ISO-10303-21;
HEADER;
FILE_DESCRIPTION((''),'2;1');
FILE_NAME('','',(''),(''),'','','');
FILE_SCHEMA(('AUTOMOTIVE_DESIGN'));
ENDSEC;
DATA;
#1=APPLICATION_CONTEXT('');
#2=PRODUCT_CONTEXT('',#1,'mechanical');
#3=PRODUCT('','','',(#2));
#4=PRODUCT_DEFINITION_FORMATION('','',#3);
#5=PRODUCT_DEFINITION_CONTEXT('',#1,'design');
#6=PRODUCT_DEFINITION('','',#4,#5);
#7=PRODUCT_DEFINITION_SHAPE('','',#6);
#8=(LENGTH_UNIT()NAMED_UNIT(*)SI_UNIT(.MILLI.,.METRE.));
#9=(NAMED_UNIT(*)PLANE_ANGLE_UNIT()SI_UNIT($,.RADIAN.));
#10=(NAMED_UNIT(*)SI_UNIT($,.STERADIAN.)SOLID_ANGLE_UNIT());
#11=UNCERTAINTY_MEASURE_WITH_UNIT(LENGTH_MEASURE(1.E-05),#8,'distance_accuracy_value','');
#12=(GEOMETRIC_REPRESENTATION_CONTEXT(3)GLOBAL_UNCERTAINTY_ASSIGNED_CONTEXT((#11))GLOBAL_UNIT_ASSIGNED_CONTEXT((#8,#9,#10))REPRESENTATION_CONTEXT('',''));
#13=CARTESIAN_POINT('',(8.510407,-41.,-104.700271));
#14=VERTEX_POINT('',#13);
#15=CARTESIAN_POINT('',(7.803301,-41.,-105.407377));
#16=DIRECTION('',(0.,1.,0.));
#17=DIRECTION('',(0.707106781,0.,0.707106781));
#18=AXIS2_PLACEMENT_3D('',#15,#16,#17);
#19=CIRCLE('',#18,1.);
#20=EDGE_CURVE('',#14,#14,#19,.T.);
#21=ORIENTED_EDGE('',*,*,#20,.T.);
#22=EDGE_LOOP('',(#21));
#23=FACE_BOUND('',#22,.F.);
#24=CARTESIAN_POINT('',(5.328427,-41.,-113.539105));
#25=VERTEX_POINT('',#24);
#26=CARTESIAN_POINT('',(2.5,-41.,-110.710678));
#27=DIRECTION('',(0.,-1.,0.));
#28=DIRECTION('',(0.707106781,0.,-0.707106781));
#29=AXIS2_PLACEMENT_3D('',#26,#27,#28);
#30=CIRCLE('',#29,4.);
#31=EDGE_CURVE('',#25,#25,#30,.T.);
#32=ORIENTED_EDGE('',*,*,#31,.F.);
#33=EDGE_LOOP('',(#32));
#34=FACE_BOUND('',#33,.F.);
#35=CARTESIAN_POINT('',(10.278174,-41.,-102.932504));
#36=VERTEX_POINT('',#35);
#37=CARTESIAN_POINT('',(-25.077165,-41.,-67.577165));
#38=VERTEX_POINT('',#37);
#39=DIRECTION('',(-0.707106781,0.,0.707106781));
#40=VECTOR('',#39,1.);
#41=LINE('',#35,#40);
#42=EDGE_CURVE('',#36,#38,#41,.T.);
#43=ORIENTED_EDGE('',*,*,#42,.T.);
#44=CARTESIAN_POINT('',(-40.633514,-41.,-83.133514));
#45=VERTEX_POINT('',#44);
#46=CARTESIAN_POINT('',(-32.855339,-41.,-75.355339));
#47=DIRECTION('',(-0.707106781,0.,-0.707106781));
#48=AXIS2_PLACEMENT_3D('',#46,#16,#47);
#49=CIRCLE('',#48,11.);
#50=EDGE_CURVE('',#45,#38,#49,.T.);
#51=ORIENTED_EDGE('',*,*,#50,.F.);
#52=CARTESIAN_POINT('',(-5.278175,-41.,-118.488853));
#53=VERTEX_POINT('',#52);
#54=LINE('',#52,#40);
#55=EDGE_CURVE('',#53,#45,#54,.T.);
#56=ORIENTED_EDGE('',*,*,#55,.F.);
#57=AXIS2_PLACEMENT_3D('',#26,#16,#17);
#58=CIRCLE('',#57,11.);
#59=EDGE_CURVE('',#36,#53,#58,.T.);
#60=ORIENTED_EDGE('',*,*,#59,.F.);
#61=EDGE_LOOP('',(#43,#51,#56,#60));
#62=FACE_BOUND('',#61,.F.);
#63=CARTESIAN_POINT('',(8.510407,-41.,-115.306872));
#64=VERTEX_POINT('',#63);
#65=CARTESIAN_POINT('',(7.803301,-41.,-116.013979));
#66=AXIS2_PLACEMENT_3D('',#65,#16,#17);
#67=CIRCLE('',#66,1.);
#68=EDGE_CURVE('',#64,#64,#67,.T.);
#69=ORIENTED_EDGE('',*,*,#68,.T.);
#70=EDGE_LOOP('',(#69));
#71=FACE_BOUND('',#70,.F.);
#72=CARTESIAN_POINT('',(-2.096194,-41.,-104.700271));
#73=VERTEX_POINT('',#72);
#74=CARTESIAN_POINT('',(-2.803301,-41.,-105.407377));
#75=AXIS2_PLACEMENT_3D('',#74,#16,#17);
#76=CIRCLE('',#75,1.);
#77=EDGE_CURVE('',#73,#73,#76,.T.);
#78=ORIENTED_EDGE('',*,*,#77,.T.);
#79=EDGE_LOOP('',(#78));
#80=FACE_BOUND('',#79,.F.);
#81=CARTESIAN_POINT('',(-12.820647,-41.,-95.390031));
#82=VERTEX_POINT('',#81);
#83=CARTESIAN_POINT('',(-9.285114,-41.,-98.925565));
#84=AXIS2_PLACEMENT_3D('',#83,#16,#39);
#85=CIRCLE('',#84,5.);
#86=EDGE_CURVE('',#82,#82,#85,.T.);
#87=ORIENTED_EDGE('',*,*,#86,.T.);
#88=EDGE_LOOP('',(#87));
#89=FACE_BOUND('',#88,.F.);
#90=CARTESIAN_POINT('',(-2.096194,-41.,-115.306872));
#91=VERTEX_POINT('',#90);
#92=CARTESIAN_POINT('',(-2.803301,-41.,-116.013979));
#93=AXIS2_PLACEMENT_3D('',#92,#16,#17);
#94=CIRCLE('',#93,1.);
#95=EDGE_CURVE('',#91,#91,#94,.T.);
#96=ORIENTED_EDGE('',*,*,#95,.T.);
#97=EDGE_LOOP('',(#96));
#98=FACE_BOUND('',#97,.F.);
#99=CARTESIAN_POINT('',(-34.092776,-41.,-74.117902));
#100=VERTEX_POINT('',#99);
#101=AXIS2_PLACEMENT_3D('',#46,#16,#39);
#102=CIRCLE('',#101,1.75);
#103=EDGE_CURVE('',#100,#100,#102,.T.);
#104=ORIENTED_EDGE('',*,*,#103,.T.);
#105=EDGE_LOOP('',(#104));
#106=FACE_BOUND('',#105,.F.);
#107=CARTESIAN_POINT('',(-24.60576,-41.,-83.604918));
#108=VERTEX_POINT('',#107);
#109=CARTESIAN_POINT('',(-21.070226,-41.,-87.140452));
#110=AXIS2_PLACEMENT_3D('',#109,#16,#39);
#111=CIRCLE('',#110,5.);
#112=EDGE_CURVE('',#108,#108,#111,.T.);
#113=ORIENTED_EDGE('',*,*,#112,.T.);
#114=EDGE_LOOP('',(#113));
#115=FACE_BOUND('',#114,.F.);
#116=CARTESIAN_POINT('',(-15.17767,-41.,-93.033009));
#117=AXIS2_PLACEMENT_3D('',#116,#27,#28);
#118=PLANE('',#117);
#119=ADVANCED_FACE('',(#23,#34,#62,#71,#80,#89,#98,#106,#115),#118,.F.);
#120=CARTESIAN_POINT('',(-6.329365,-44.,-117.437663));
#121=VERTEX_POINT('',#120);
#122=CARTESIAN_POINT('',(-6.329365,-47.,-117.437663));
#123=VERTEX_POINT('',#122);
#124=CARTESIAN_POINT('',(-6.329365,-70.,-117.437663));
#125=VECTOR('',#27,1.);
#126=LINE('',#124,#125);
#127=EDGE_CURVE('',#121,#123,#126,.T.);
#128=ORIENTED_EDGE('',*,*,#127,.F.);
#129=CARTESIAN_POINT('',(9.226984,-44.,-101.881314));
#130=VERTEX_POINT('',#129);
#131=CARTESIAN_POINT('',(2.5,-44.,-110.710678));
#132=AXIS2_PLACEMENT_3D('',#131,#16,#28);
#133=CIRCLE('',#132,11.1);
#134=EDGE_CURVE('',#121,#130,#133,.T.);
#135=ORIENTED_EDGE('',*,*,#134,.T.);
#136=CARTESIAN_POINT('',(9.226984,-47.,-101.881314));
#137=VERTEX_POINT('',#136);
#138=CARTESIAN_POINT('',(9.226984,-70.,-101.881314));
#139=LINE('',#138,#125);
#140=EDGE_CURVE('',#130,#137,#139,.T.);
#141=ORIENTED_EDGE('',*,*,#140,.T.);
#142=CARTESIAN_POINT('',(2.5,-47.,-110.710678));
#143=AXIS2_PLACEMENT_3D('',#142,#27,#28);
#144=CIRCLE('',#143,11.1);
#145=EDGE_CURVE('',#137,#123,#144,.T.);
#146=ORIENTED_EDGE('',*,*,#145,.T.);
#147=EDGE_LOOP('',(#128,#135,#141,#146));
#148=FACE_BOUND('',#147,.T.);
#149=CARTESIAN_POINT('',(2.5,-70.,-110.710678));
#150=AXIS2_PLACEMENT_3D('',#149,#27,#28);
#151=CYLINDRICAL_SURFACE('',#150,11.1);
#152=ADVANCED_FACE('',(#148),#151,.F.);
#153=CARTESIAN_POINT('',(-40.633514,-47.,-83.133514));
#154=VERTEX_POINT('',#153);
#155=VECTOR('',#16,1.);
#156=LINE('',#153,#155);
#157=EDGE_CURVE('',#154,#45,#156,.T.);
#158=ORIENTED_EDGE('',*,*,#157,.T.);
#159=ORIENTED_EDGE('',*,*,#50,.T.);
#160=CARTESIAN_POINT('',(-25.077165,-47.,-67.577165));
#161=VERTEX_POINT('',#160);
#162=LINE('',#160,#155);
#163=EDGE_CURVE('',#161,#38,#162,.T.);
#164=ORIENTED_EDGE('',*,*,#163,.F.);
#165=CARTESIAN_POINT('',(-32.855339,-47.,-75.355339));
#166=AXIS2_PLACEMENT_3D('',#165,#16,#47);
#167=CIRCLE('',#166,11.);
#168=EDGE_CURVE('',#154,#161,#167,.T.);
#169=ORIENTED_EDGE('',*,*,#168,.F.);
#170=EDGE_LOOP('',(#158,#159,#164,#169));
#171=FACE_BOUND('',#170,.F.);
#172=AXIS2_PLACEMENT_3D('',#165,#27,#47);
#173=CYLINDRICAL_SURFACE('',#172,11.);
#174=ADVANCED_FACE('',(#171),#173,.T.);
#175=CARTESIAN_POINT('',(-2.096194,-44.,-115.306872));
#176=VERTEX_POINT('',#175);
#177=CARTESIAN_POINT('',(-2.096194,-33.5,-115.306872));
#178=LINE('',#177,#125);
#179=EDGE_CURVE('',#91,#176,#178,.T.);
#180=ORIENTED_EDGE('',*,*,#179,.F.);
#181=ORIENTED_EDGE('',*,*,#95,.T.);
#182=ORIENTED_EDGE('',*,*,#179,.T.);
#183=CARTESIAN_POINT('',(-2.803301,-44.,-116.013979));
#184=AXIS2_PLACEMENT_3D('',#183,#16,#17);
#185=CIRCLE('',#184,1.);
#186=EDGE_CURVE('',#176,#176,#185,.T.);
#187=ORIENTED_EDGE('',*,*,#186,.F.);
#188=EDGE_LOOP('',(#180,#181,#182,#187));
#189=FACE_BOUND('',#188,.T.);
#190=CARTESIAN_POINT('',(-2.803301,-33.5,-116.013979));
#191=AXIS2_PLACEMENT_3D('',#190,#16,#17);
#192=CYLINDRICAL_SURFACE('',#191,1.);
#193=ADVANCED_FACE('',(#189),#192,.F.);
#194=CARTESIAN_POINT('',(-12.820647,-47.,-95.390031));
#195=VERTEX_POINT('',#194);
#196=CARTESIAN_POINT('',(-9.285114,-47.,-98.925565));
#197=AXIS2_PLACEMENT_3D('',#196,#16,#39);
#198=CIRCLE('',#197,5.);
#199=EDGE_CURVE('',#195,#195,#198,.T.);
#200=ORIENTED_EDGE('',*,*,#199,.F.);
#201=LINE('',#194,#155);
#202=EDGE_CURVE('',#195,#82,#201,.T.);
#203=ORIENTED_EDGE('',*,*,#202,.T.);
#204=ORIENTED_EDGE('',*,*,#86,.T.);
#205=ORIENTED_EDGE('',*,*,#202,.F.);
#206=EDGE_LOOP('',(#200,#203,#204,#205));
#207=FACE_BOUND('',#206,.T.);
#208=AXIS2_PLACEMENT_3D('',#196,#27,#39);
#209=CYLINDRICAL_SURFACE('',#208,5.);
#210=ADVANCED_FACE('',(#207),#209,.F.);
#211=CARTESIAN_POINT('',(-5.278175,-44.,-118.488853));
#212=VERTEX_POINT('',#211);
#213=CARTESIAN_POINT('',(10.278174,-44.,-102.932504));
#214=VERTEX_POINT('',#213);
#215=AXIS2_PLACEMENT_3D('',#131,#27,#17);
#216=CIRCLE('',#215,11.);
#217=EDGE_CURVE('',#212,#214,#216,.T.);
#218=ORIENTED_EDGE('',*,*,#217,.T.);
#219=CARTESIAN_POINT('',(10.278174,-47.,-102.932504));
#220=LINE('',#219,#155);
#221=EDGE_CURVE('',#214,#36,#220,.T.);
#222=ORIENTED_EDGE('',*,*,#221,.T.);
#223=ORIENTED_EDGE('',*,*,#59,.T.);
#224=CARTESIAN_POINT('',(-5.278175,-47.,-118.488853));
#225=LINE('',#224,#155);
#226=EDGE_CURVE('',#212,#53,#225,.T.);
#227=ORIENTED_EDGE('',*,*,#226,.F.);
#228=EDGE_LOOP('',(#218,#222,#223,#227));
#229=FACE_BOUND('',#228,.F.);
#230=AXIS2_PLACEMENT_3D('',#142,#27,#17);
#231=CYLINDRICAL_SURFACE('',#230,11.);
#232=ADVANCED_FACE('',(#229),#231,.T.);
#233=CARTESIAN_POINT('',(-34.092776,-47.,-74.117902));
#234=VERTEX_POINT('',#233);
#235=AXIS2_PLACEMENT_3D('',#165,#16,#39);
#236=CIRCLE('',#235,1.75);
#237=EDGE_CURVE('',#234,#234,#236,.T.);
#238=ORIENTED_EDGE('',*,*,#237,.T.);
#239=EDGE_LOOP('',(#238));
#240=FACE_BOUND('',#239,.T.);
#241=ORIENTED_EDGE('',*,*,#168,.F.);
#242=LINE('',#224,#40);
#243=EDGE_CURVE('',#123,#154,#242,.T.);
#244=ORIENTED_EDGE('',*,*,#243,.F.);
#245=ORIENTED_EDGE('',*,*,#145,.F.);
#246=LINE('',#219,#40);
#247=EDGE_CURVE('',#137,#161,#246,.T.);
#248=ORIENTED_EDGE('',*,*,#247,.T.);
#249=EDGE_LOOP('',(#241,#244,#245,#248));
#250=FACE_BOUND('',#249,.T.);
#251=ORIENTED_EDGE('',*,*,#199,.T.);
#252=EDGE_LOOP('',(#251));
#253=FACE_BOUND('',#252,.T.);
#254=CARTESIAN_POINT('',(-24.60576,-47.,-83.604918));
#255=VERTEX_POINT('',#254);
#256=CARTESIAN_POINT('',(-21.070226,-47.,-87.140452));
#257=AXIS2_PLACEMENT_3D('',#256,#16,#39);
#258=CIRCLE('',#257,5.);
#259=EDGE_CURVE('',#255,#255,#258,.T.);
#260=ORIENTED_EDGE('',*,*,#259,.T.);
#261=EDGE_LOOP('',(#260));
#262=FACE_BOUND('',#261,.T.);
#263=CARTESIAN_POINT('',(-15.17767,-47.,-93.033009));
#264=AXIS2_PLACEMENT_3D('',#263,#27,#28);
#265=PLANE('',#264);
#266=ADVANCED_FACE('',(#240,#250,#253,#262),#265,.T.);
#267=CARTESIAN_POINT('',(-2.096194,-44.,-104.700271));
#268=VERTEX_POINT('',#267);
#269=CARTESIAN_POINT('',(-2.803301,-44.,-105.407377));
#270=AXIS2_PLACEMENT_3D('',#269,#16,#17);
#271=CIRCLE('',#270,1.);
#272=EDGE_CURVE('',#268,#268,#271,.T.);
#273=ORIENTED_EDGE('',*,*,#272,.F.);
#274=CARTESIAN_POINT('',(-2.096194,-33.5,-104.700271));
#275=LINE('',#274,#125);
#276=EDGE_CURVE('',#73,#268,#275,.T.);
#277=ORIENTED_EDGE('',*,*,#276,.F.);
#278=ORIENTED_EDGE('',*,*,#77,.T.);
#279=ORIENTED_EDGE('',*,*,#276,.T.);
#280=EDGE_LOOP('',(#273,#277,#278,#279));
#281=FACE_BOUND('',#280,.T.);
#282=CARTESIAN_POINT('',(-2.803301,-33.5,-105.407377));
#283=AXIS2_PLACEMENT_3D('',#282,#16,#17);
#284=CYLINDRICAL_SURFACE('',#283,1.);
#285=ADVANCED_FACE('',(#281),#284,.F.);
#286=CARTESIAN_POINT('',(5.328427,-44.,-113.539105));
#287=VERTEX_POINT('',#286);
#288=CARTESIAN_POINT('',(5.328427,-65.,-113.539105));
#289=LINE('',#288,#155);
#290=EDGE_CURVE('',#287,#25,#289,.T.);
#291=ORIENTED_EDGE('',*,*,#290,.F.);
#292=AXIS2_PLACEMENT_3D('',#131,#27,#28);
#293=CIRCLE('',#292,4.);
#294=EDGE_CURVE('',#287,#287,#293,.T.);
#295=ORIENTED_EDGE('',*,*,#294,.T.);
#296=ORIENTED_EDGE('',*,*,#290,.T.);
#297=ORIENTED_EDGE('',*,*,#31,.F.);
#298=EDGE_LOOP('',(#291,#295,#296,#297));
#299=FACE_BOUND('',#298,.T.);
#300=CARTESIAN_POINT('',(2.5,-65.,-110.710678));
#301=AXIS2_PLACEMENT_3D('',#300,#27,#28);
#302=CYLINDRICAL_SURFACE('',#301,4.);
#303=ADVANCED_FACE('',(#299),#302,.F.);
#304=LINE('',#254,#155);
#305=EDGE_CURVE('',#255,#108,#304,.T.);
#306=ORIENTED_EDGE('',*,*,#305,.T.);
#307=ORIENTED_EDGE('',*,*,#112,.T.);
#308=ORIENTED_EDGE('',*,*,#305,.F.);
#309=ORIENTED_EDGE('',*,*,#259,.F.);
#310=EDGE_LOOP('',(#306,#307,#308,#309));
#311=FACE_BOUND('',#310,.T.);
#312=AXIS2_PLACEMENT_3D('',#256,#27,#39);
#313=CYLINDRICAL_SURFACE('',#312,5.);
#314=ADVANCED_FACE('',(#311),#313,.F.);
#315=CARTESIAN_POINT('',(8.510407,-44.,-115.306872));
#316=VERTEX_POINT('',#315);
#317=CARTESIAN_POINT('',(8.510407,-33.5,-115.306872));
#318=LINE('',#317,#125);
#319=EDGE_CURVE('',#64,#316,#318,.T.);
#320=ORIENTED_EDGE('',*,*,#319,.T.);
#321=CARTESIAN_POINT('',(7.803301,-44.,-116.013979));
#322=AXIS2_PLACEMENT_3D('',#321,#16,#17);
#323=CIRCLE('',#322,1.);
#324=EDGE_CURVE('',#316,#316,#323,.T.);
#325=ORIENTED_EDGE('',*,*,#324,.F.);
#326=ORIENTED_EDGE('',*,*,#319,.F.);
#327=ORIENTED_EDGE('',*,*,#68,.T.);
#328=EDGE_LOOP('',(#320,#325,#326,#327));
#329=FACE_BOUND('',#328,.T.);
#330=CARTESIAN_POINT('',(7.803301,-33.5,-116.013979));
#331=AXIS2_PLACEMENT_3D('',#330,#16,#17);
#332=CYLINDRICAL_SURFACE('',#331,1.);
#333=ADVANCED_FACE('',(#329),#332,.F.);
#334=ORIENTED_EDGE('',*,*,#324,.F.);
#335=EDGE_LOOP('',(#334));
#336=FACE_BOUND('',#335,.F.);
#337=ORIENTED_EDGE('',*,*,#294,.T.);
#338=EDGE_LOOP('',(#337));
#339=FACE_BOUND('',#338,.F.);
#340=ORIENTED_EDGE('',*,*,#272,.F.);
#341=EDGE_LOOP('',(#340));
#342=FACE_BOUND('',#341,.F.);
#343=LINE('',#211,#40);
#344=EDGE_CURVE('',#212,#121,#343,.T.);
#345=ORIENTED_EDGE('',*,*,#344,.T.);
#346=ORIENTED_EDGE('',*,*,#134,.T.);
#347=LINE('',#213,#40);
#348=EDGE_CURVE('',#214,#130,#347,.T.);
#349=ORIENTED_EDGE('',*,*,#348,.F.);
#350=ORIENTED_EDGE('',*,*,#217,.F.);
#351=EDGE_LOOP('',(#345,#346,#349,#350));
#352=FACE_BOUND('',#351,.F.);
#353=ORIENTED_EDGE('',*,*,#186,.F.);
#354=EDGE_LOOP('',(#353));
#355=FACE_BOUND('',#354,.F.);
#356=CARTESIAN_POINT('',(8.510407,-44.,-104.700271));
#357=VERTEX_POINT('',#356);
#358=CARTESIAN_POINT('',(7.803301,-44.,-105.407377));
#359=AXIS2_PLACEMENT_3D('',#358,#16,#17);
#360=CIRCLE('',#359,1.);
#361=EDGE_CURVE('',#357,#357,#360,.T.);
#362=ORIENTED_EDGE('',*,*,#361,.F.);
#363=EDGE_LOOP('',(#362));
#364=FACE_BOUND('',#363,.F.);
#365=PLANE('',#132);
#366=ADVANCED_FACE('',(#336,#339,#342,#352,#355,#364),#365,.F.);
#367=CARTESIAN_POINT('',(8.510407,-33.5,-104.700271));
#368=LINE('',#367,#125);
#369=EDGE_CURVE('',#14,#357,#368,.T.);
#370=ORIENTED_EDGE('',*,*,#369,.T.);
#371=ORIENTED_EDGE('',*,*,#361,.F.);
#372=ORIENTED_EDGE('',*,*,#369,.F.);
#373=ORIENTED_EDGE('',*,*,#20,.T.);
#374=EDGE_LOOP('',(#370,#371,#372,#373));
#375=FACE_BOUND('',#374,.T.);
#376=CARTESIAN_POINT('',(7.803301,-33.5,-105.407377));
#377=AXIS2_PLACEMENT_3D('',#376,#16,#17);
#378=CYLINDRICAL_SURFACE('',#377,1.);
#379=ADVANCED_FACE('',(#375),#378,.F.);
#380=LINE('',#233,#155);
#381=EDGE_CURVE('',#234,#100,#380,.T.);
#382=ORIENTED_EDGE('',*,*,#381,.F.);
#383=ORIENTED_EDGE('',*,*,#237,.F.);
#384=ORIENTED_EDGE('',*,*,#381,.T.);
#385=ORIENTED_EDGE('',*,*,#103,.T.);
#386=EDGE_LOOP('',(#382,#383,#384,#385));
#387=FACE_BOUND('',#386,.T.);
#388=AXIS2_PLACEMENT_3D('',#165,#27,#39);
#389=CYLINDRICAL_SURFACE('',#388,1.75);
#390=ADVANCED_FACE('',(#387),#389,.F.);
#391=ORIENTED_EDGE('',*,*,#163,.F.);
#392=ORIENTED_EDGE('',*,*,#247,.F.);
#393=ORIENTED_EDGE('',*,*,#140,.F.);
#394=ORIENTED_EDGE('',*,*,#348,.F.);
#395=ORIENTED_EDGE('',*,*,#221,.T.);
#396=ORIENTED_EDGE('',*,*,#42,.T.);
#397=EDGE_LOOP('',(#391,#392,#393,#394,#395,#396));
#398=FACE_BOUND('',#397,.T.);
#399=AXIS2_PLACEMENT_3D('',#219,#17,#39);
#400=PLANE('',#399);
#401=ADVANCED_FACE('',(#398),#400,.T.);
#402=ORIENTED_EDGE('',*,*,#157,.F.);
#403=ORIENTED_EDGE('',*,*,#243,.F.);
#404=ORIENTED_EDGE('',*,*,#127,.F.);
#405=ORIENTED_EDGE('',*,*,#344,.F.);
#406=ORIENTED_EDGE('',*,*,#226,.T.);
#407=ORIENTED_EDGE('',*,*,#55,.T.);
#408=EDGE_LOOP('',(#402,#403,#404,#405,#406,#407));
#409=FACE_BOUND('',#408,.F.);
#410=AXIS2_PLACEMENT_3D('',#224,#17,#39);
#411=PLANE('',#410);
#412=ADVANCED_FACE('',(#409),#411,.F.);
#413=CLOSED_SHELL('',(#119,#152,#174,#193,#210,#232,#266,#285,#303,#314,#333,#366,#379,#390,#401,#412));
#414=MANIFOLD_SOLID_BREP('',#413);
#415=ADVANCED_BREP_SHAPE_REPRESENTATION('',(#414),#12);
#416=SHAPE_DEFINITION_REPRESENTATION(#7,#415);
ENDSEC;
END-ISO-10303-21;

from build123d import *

# Parameters (mm, degrees)
CYLINDER020_R             = 11.1
CYLINDER020_DEPTH         = 26
CYLINDER019_R             = 4
CYLINDER019_DEPTH         = 43
CYLINDER021_R             = 1
CYLINDER021_DEPTH         = 31
CYLINDER024_R             = 1
CYLINDER024_DEPTH         = 31
CYLINDER023_R             = 1
CYLINDER023_DEPTH         = 31
CYLINDER022_R             = 1
CYLINDER022_DEPTH         = 31
FUSION002_ROLL_ANGLE      = -90
FUSION003_PLACEMENT_ANGLE = 180
SKETCH_R                  = 5
SKETCH_R_2                = 1.75
PAD_DEPTH                 = 6
CUT_PITCH_ANGLE           = 90
CLONE018_PITCH_ANGLE      = 45


with BuildPart() as cylinder141:
    # Cylinder020 → Cylinder020 (new body)
    with BuildSketch(Plane(origin=(-3, 71, 73), x_dir=(0, 0, 1), z_dir=(0, -1, 0))):
        Circle(CYLINDER020_R)
    extrude(amount=CYLINDER020_DEPTH)


with BuildPart() as fusion001:
    # Cylinder019 → Cylinder019 (new body)
    with BuildSketch(Plane(origin=(-3, 66, 73), x_dir=(0, 0, 1), z_dir=(0, -1, 0))):
        Circle(CYLINDER019_R)
    extrude(amount=CYLINDER019_DEPTH)

    # Fusion001: union Cylinder141
    add(cylinder141.part)


with BuildPart() as cylinder096:
    # Cylinder021 → Cylinder021 (new body)
    with BuildSketch(Plane(origin=(-7.5, -11, 132), x_dir=(1, 0, 0), z_dir=(0, 0, 1))):
        Circle(CYLINDER021_R)
    extrude(amount=CYLINDER021_DEPTH)


with BuildPart() as cylinder146:
    # Cylinder024 → Cylinder024 (new body)
    with BuildSketch(Plane(origin=(0, -3.5, 132), x_dir=(1, 0, 0), z_dir=(0, 0, 1))):
        Circle(CYLINDER024_R)
    extrude(amount=CYLINDER024_DEPTH)


with BuildPart() as cylinder145:
    # Cylinder023 → Cylinder023 (new body)
    with BuildSketch(Plane(origin=(7.5, -11, 132), x_dir=(1, 0, 0), z_dir=(0, 0, 1))):
        Circle(CYLINDER023_R)
    extrude(amount=CYLINDER023_DEPTH)


with BuildPart() as fusion003:
    # Cylinder022 → Cylinder022 (new body)
    with BuildSketch(Plane(origin=(0, -18.5, 132), x_dir=(1, 0, 0), z_dir=(0, 0, 1))):
        Circle(CYLINDER022_R)
    extrude(amount=CYLINDER022_DEPTH)

    # Fusion002: union Cylinder096, Cylinder146, Cylinder145
    add(cylinder096.part)
    add(cylinder146.part)
    add(cylinder145.part)


with BuildPart() as fusion003_1:
    # Fusion002 roll: moved
    add(fusion003.part.rotate(Axis((0, 0, 0), (1, 0, 0)), FUSION002_ROLL_ANGLE))


with BuildPart() as fusion003_2:
    # Fusion002 placement: moved
    add(fusion003_1.part.moved(Location((-3, -97.5, 62))))

    # Fusion003: union Fusion001
    add(fusion001.part)


with BuildPart() as fusion003_3:
    # Fusion003 placement: moved
    add(fusion003_2.part.moved(Location((-0.5, 88, -87))).rotate(Axis((-0.5, 88, -87), (0, 0, 1)), FUSION003_PLACEMENT_ANGLE))


with BuildPart() as clone_of_clone_of_cut:
    # Sketch → Pad (new body)
    with BuildSketch(Plane(origin=(-11.5, 40, -16.5), x_dir=(0, 0, -1), z_dir=(0, 1, 0))):
        with BuildLine():
            Line((-2.5, -3), (47.5, -3))
            ThreePointArc((47.5, -25), (58.5, -14), (47.5, -3))
            Line((-2.5, -25), (47.5, -25))
            ThreePointArc((-2.5, -3), (-13.5, -14), (-2.5, -25))
        make_face()
        with Locations((14.166667, -14)):
            Circle(SKETCH_R, mode=Mode.SUBTRACT)
        with Locations((30.833333, -14)):
            Circle(SKETCH_R, mode=Mode.SUBTRACT)
        with Locations((47.5, -14)):
            Circle(SKETCH_R_2, mode=Mode.SUBTRACT)
    extrude(amount=PAD_DEPTH)

    # Cut: cut Fusion003
    add(fusion003_3.part, mode=Mode.SUBTRACT)


with BuildPart() as clone_of_clone_of_cut_1:
    # Cut pitch: moved
    add(clone_of_clone_of_cut.part.rotate(Axis((0, 0, 0), (0, 1, 0)), CUT_PITCH_ANGLE))


with BuildPart() as clone_of_clone_of_cut_2:
    # Cut placement: moved
    add(clone_of_clone_of_cut_1.part.moved(Location((16.5, -87, -15))))


with BuildPart() as clone_of_clone_of_cut_3:
    # Clone010 placement: moved
    add(clone_of_clone_of_cut_2.part.moved(Location((0, 0, -22.5))))


with BuildPart() as clone_of_clone_of_cut_4:
    # Clone018 pitch: moved
    add(clone_of_clone_of_cut_3.part.rotate(Axis((0, 0, 0), (0, 1, 0)), CLONE018_PITCH_ANGLE))


with BuildPart() as clone_of_clone_of_cut_5:
    # Clone018 placement: moved
    add(clone_of_clone_of_cut_4.part.moved(Location((29.016504, 0, -80.65864))))


solid = clone_of_clone_of_cut_5.part
